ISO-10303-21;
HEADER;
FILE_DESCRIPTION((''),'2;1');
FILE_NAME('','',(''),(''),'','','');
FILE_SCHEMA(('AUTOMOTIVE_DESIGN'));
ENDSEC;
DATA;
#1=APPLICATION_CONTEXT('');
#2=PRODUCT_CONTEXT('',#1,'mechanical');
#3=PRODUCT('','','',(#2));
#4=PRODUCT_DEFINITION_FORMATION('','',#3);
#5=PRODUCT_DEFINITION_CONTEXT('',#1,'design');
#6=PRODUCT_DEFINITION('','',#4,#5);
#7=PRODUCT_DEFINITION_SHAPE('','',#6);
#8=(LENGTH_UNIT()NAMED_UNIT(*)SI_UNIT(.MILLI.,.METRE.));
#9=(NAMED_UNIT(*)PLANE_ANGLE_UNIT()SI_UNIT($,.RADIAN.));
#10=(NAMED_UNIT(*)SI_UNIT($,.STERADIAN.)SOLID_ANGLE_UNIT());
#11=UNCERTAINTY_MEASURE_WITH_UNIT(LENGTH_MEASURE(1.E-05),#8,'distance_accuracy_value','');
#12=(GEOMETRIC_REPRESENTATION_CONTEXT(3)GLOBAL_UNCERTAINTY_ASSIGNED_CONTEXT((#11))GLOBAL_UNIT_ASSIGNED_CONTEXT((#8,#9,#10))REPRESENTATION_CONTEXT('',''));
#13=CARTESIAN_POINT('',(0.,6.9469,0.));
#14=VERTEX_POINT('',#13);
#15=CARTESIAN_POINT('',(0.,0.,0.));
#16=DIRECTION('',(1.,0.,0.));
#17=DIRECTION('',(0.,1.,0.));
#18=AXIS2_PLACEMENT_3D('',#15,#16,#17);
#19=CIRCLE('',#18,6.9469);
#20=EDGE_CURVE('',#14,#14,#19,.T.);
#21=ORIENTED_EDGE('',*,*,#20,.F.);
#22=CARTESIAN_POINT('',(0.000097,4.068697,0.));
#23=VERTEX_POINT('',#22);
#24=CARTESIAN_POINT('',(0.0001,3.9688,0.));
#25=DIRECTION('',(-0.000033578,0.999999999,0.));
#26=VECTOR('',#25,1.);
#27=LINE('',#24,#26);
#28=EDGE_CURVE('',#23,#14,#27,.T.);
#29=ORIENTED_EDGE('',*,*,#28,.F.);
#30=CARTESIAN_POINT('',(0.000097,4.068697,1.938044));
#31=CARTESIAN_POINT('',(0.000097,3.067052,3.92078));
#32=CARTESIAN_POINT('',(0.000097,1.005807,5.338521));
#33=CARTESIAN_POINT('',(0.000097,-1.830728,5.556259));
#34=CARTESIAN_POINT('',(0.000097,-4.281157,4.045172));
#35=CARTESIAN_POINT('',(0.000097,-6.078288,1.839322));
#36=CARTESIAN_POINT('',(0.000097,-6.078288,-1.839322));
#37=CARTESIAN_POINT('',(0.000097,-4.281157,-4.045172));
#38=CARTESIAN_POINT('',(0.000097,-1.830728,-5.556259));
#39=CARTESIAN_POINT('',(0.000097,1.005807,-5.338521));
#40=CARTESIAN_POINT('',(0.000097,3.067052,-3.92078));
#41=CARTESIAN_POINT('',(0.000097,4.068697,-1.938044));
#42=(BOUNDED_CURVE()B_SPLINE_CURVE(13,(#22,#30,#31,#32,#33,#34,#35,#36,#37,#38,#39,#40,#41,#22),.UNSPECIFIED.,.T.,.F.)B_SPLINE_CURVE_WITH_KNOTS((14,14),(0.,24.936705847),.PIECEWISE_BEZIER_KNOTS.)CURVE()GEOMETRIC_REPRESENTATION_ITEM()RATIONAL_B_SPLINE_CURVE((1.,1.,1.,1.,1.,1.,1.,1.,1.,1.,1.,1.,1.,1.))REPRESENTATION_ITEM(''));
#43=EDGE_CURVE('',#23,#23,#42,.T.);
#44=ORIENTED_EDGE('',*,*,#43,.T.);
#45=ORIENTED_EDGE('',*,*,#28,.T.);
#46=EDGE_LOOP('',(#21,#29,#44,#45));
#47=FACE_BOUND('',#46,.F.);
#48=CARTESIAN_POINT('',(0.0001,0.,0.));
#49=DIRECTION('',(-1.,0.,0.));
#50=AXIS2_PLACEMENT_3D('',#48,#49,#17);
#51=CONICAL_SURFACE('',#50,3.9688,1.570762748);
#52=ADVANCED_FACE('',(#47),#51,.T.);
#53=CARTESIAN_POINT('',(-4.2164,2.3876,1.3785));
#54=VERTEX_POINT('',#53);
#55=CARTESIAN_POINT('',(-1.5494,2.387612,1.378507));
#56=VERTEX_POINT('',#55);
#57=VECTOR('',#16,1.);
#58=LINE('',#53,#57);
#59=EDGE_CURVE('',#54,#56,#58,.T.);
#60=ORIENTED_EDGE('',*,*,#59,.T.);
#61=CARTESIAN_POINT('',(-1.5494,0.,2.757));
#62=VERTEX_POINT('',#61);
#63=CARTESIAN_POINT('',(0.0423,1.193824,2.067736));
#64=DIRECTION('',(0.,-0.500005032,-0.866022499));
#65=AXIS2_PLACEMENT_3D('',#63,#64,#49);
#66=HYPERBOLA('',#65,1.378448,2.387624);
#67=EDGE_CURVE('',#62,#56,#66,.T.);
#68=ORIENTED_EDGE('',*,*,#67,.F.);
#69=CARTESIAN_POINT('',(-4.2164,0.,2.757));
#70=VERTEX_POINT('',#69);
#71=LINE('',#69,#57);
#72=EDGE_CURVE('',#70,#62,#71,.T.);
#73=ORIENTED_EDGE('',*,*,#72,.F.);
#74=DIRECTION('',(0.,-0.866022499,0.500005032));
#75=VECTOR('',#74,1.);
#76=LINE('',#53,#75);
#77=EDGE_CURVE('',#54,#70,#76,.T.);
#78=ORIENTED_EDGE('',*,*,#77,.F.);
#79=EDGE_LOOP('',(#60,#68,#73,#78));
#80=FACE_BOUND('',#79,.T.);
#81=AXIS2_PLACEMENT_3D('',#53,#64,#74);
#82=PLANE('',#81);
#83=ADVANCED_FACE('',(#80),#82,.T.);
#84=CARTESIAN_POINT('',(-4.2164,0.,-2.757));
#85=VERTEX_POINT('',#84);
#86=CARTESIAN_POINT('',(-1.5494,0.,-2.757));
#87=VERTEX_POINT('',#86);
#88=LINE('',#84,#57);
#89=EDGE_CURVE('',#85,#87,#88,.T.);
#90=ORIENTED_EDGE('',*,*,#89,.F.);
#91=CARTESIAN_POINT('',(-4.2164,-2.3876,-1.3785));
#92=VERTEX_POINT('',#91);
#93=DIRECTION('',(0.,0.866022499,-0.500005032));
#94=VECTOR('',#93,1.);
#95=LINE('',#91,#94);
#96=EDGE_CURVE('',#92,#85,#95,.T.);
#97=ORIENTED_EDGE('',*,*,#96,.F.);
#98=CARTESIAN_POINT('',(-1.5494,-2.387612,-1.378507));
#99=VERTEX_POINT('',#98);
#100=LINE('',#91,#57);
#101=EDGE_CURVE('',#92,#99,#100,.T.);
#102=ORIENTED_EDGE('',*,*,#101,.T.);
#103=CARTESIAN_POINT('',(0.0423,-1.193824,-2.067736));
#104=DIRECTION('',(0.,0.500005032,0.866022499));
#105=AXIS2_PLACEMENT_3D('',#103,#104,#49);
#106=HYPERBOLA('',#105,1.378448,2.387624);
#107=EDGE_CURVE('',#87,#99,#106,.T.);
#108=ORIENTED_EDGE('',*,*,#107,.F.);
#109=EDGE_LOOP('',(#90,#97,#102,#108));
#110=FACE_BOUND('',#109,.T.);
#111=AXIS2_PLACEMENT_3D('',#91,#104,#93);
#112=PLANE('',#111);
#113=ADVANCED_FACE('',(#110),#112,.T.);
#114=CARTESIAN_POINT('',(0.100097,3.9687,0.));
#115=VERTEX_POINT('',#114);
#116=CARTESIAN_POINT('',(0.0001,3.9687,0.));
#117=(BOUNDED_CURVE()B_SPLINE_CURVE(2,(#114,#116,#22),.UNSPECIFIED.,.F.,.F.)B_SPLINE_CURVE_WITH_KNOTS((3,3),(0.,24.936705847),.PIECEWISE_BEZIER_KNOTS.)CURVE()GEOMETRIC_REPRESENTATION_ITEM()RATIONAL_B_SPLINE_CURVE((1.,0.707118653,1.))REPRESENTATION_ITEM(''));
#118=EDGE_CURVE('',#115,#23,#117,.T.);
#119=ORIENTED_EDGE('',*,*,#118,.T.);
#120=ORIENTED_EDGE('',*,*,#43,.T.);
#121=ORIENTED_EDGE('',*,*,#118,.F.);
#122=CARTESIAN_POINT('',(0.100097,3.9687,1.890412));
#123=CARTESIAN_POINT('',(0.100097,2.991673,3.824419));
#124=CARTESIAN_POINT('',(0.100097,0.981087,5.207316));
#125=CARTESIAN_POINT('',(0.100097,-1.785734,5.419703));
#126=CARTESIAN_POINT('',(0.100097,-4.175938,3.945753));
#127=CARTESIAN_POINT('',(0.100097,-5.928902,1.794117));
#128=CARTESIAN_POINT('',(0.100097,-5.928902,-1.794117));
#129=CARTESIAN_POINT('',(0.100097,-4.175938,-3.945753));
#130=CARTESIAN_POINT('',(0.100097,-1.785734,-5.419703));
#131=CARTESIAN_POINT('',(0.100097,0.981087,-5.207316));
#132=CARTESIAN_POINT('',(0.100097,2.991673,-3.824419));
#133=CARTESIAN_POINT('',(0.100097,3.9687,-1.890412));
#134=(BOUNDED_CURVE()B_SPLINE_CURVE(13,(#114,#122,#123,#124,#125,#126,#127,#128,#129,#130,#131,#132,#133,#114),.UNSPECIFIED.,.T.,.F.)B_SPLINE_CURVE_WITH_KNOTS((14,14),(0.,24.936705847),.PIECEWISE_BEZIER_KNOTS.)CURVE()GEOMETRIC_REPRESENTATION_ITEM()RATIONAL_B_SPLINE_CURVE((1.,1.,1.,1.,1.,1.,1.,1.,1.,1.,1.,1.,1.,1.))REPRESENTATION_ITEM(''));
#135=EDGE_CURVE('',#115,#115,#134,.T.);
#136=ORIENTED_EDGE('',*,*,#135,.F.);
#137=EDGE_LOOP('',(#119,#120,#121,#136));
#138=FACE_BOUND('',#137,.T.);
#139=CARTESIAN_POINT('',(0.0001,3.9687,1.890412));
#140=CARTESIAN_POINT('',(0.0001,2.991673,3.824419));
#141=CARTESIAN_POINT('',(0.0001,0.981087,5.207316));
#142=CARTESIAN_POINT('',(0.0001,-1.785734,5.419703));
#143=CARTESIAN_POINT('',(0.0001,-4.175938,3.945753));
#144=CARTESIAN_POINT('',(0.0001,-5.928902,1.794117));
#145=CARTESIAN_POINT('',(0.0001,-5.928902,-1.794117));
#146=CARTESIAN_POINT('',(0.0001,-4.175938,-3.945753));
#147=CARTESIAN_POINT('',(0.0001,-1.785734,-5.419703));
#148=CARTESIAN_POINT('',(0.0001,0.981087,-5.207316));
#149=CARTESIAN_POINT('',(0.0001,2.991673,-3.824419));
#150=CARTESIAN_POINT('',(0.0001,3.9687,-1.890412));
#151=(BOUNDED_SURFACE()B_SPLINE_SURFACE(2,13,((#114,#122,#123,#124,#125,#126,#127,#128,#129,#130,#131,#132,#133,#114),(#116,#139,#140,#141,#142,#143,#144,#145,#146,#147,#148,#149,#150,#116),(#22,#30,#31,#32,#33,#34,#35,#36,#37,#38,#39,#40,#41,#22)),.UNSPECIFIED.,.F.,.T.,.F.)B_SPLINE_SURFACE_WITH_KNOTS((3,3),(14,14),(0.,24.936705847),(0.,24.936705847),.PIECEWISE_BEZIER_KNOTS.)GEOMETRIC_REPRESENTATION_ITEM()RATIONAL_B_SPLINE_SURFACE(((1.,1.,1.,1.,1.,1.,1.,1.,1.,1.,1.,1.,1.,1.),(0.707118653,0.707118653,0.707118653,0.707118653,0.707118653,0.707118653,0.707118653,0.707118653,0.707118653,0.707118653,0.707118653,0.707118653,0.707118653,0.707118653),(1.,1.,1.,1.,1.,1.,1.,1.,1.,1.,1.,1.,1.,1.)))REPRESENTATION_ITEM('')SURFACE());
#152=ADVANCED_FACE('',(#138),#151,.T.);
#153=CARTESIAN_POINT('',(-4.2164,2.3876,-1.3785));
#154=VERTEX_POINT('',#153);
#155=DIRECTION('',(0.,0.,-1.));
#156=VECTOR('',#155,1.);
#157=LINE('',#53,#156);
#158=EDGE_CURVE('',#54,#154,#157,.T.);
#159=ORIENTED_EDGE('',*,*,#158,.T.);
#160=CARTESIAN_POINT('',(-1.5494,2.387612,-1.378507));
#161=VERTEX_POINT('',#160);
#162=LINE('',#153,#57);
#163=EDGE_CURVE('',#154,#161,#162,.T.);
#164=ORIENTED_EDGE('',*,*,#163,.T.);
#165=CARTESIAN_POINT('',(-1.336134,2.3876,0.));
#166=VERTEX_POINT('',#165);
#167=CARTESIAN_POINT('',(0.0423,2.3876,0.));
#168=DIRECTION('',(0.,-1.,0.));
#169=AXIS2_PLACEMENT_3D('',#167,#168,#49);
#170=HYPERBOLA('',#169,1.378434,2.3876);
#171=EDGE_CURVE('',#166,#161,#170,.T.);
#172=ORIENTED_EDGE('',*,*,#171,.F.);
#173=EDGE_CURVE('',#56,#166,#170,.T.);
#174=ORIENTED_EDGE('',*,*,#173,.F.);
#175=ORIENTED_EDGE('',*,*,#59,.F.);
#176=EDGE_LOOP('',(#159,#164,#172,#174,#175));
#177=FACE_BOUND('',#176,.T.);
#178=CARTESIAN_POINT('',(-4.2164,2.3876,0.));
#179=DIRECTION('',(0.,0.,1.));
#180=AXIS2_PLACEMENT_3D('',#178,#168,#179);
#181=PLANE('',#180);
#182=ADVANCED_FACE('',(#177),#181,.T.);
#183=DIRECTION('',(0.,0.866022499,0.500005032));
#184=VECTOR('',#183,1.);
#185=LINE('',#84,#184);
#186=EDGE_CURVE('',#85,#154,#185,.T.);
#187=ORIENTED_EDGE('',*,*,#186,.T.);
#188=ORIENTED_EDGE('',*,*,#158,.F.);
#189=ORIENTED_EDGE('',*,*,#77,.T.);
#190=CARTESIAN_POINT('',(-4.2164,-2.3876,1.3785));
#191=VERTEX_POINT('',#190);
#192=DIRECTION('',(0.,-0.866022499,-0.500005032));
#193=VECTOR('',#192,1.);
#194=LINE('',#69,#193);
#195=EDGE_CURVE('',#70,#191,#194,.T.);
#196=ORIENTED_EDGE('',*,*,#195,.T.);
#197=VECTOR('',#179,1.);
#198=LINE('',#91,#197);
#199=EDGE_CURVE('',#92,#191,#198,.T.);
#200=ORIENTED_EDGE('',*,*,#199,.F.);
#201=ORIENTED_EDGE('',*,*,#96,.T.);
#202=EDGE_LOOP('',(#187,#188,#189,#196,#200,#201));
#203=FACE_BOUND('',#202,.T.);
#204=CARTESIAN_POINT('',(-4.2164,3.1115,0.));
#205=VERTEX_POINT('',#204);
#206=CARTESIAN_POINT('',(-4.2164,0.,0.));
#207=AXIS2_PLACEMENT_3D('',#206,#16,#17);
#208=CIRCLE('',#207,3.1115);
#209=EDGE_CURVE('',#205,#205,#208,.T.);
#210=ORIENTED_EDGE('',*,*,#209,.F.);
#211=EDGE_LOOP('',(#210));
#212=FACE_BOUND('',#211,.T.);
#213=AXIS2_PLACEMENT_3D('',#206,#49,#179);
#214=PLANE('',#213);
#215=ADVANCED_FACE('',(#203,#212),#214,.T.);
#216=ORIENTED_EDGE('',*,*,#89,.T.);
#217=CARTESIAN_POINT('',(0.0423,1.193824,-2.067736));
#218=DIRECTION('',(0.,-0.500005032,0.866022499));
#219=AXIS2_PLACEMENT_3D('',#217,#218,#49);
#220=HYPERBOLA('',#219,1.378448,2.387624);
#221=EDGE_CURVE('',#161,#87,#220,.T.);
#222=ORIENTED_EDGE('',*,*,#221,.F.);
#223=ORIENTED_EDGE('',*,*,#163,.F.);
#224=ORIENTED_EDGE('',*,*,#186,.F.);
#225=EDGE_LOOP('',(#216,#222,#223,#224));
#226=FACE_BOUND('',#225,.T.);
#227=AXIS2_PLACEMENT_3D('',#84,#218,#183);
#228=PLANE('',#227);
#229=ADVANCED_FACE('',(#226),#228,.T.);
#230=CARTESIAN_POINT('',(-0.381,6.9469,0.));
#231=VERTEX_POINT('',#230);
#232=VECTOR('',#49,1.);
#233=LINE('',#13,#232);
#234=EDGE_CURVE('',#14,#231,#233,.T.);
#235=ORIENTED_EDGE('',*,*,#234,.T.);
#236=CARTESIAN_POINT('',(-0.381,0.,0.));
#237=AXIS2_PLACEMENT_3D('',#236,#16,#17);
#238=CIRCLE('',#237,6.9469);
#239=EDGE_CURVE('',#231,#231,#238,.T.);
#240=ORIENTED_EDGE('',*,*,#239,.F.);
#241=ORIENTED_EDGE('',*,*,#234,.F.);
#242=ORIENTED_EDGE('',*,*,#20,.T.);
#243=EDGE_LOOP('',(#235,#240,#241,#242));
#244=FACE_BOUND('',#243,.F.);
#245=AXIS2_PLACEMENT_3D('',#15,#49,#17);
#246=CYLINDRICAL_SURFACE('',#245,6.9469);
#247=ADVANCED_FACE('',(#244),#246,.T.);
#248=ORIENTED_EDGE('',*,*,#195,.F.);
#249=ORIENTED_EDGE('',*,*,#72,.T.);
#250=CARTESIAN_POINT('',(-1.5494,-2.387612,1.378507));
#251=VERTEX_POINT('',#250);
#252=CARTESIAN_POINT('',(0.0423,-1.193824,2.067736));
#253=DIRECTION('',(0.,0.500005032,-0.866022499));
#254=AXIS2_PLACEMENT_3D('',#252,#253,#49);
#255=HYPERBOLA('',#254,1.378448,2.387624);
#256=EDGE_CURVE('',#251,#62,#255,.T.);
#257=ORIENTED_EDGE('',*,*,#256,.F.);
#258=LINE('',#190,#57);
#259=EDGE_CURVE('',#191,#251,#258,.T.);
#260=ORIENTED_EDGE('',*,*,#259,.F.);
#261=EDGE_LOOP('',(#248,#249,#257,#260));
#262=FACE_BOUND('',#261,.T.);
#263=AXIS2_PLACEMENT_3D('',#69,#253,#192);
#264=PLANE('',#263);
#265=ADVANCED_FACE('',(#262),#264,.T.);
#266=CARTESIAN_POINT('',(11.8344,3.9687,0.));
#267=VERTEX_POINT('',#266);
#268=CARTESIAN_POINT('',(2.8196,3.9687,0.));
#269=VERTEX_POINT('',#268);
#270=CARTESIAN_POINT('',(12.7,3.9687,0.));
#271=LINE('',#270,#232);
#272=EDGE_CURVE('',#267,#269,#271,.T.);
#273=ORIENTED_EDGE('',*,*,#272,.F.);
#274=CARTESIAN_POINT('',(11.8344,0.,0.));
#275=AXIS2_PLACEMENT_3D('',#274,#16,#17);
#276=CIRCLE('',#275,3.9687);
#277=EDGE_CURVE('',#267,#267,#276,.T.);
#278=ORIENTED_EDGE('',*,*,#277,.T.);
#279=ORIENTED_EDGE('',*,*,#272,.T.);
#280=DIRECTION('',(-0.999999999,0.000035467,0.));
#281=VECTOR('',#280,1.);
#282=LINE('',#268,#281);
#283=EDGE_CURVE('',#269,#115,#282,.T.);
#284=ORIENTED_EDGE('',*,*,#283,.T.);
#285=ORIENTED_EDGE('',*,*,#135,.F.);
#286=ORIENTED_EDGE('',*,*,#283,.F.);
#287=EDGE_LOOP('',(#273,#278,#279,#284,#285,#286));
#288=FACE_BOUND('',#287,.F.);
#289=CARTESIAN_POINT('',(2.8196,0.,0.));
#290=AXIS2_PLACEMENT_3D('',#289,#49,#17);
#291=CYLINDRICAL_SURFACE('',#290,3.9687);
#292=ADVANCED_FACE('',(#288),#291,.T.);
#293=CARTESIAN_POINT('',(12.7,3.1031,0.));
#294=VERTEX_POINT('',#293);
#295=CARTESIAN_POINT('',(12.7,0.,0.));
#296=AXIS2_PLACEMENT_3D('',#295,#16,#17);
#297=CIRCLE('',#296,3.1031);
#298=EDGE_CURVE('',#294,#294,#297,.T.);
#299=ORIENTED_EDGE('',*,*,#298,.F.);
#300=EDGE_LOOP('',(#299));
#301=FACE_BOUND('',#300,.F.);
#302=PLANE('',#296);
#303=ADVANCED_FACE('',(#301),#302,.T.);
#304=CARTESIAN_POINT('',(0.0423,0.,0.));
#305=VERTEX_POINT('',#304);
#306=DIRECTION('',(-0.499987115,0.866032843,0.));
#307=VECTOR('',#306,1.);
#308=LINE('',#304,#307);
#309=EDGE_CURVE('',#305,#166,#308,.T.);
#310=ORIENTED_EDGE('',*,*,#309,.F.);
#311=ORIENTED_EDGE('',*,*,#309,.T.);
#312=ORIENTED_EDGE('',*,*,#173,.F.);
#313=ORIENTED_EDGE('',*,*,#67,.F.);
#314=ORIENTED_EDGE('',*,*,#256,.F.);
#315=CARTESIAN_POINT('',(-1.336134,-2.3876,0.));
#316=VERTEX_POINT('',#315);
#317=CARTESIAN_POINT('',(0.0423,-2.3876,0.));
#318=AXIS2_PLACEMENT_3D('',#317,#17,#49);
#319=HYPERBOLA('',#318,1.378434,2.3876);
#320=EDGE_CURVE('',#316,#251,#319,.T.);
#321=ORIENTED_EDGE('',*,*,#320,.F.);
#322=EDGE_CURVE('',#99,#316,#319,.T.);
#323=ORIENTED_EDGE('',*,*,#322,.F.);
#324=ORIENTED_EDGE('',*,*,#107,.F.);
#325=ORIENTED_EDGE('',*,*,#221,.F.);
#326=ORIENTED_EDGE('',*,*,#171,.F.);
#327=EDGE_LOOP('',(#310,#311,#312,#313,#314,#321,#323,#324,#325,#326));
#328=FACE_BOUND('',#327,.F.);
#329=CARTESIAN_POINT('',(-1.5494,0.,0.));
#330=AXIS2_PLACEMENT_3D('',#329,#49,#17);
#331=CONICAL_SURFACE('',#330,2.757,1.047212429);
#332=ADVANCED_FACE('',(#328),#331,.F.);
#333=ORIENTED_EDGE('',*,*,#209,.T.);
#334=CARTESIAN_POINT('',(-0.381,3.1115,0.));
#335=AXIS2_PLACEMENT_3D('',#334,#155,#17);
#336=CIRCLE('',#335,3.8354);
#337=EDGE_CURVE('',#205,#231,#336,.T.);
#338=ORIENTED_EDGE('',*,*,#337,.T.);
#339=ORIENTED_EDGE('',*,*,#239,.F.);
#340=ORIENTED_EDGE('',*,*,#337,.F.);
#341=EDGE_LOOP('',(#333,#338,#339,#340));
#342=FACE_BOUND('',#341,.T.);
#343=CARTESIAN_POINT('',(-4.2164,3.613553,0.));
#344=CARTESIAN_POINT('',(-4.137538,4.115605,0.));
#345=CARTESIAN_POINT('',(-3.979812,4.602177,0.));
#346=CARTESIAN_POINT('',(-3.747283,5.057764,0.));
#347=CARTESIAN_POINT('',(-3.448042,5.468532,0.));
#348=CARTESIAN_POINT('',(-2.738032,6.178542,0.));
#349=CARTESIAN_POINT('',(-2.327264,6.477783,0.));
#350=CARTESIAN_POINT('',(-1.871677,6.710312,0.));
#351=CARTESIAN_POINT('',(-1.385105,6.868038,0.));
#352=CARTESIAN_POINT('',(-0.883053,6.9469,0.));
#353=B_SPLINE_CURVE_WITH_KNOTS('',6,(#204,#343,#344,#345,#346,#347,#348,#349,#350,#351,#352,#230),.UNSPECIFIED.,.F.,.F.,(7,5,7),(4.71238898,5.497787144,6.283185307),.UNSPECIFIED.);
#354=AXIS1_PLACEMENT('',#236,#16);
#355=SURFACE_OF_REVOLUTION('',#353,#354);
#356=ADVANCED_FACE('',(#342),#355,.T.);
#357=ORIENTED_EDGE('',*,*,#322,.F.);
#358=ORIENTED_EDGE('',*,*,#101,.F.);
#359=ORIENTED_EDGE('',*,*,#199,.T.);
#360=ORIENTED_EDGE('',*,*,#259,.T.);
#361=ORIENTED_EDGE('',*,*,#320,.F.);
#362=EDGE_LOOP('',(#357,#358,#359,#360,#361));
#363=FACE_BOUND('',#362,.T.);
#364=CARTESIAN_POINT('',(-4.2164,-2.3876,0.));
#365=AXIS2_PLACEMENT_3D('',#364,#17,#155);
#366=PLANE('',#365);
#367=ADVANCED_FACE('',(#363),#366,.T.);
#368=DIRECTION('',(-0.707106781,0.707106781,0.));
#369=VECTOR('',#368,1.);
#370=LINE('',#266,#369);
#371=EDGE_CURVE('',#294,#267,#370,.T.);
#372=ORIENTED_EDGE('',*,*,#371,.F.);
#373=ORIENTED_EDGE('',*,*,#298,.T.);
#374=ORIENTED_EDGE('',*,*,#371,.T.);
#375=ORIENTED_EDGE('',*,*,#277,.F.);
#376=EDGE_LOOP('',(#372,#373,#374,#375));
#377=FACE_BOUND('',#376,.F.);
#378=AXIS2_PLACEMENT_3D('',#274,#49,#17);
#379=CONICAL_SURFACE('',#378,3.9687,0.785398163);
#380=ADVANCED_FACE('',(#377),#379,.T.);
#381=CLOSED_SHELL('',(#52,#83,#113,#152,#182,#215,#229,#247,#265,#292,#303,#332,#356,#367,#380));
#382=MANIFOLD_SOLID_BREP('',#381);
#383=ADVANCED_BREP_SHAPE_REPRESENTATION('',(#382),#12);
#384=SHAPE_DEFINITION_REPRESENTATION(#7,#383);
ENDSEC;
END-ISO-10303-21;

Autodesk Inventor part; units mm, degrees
ref_plane "YZ Plane" through (0, 0, 0) normal (1, 0, 0) x (0, 1, 0)
ref_plane "XZ Plane" through (0, 0, 0) normal (0, 1, 0) x (-1, 0, 0)
sketch "Sketch1" plane through (0, 0, 0) normal (0, 0, 1) x (1, 0, 0)
  line L0 (0.0423, 0) -> (12.7, 0)
  line L1 (12.7, 0) -> (12.7, 3.9687)
  line L2 (12.7, 3.9687) -> (2.8196, 3.9687)
  line L3 (2.8196, 3.9687) -> (0.0001, 3.9688)
  line L4 (0.0001, 3.9688) -> (0, 3.9688)
  line L5 (0, 3.9688) -> (0, 6.9469)
  line L6 (0, 6.9469) -> (-4.2164, 6.9469)
  line L7 (-4.2164, 6.9469) -> (-4.2164, 2.757)
  line L8 (-4.2164, 2.757) -> (-1.5494, 2.757)
  line L9 (-1.5494, 2.757) -> (0.0423, 0)
  line L10 (-7.5997, 0) -> (16.0833, 0) projected
  line L11 (0, -1.3894) -> (0, 8.3363) projected
  line L12 (2.8196, 3.9687) -> (0, 3.9687) construction
  dimension "d1" = 9.8804
  dimension "d2" = 2.8195
  dimension "d3" = 4.2164
  dimension "d4" = 2.667
  dimension "d5" = 60
  dimension "d6" = 7.9375
  dimension "d7" = 7.9375
  dimension "d8" = 5.5139
  dimension "d9" = 13.8938
  dimension "d26" = 12.7
revolve "Body" add sketch "Sketch1" angle 360 about axis through (0.0423, 0, 0) along (1, 0, 0) contours L9 L11 L3 L2 L1 L0 | L9 L8 L7 L6 L5 L11
sketch "Sketch2" plane through (-4.2164, 0, 0) normal (-1, 0, 0) x (0, 0, 1)
  circle A0 centre (0, 0) radius 2.757 projected
  line L0 (0, -9.7257) -> (0, 9.7257) projected
  line L1 (-9.7257, 0) -> (9.7257, 0) projected
  line L2 (2.757, 0) -> (1.3785, -2.3876)
  line L3 (1.3785, -2.3876) -> (-1.3785, -2.3876)
  line L4 (-1.3785, -2.3876) -> (-2.757, 0)
  line L5 (-2.757, 0) -> (-1.3785, 2.3876)
  line L6 (-1.3785, 2.3876) -> (1.3785, 2.3876)
  line L7 (1.3785, 2.3876) -> (2.757, 0)
extrude "Slot" add sketch "Sketch2" against normal up to next contours L7 A0 | A0 L2 | L6 L0 A0 | A0 L0 L3 | L0 L6 A0 | A0 L3 L0 | L4 A0 | A0 L5
fillet "Fillet1" radius 3.8354 1 edges at (-4.2164, -6.9469, 0)
thread "Thread" size "5/16-18 UNC" class "2A" standard "ANSI Unified Screw Threads" length 9.8804
chamfer "Chamfer1" distance 0.8656 distance2 0.8656 1 edges at (12.7, -3.9687, 0) measured on face at (12.7, -1.1714, -0.6148)
ref_plane "Work Plane1" through (29, 0, 0) normal (0, -1, 0) x (1, 0, 0)
fillet "Fillet2" radius 0.1 1 edges at (0.0001, -3.9688, 0)
equation "\"d1\" = GEL"
equation "\"d3\" = KOH"
equation "\"d4\" = INTI"
equation "\"d6\" = GD"
equation "\"d7\" = BDM"
equation "\"d8\" = 1.1547 * SW"
equation "\"d9\" = KOD"
equation "\"d26\" = NLG"
equation "\"d30\" = R"
equation "\"d17\" = RR"
equation "\"d13\" = GEL"
equation "\"d15\" = -0.5 * SPD + 0.5 * GD"
equation "\"d16\" = GUL"
equation "\"GD\" = NND"
equation "\"NLG\" = 12.7"
equation "\"GEL\" = 9.8804"
equation "\"KOD\" = 13.8938"
equation "\"KOH\" = 4.2164"
equation "\"INTI\" = 2.667"
equation "\"GAL\" = 2.8194"
equation "\"GUL\" = 0.86563"
equation "\"BDM\" = NND"
equation "\"SW\" = 4.7752"
equation "\"RR\" = 3.8354"
equation "\"SPD\" = 6.20624"
equation "\"R\" = 0.1"
equation "\"TOA\" = 30deg"
equation "\"GD1\" = SPD"
equation "\"THREADDIA\" = 7.9375"
equation "\"KOH1\" = 0.7874"
equation "\"NND\" = 7.9375"
equation "\"E0\" = 5.51536"
properties part number "ANSI B18.3 - 5/16 - 18 x 1/2" material "Steel, Mild"
